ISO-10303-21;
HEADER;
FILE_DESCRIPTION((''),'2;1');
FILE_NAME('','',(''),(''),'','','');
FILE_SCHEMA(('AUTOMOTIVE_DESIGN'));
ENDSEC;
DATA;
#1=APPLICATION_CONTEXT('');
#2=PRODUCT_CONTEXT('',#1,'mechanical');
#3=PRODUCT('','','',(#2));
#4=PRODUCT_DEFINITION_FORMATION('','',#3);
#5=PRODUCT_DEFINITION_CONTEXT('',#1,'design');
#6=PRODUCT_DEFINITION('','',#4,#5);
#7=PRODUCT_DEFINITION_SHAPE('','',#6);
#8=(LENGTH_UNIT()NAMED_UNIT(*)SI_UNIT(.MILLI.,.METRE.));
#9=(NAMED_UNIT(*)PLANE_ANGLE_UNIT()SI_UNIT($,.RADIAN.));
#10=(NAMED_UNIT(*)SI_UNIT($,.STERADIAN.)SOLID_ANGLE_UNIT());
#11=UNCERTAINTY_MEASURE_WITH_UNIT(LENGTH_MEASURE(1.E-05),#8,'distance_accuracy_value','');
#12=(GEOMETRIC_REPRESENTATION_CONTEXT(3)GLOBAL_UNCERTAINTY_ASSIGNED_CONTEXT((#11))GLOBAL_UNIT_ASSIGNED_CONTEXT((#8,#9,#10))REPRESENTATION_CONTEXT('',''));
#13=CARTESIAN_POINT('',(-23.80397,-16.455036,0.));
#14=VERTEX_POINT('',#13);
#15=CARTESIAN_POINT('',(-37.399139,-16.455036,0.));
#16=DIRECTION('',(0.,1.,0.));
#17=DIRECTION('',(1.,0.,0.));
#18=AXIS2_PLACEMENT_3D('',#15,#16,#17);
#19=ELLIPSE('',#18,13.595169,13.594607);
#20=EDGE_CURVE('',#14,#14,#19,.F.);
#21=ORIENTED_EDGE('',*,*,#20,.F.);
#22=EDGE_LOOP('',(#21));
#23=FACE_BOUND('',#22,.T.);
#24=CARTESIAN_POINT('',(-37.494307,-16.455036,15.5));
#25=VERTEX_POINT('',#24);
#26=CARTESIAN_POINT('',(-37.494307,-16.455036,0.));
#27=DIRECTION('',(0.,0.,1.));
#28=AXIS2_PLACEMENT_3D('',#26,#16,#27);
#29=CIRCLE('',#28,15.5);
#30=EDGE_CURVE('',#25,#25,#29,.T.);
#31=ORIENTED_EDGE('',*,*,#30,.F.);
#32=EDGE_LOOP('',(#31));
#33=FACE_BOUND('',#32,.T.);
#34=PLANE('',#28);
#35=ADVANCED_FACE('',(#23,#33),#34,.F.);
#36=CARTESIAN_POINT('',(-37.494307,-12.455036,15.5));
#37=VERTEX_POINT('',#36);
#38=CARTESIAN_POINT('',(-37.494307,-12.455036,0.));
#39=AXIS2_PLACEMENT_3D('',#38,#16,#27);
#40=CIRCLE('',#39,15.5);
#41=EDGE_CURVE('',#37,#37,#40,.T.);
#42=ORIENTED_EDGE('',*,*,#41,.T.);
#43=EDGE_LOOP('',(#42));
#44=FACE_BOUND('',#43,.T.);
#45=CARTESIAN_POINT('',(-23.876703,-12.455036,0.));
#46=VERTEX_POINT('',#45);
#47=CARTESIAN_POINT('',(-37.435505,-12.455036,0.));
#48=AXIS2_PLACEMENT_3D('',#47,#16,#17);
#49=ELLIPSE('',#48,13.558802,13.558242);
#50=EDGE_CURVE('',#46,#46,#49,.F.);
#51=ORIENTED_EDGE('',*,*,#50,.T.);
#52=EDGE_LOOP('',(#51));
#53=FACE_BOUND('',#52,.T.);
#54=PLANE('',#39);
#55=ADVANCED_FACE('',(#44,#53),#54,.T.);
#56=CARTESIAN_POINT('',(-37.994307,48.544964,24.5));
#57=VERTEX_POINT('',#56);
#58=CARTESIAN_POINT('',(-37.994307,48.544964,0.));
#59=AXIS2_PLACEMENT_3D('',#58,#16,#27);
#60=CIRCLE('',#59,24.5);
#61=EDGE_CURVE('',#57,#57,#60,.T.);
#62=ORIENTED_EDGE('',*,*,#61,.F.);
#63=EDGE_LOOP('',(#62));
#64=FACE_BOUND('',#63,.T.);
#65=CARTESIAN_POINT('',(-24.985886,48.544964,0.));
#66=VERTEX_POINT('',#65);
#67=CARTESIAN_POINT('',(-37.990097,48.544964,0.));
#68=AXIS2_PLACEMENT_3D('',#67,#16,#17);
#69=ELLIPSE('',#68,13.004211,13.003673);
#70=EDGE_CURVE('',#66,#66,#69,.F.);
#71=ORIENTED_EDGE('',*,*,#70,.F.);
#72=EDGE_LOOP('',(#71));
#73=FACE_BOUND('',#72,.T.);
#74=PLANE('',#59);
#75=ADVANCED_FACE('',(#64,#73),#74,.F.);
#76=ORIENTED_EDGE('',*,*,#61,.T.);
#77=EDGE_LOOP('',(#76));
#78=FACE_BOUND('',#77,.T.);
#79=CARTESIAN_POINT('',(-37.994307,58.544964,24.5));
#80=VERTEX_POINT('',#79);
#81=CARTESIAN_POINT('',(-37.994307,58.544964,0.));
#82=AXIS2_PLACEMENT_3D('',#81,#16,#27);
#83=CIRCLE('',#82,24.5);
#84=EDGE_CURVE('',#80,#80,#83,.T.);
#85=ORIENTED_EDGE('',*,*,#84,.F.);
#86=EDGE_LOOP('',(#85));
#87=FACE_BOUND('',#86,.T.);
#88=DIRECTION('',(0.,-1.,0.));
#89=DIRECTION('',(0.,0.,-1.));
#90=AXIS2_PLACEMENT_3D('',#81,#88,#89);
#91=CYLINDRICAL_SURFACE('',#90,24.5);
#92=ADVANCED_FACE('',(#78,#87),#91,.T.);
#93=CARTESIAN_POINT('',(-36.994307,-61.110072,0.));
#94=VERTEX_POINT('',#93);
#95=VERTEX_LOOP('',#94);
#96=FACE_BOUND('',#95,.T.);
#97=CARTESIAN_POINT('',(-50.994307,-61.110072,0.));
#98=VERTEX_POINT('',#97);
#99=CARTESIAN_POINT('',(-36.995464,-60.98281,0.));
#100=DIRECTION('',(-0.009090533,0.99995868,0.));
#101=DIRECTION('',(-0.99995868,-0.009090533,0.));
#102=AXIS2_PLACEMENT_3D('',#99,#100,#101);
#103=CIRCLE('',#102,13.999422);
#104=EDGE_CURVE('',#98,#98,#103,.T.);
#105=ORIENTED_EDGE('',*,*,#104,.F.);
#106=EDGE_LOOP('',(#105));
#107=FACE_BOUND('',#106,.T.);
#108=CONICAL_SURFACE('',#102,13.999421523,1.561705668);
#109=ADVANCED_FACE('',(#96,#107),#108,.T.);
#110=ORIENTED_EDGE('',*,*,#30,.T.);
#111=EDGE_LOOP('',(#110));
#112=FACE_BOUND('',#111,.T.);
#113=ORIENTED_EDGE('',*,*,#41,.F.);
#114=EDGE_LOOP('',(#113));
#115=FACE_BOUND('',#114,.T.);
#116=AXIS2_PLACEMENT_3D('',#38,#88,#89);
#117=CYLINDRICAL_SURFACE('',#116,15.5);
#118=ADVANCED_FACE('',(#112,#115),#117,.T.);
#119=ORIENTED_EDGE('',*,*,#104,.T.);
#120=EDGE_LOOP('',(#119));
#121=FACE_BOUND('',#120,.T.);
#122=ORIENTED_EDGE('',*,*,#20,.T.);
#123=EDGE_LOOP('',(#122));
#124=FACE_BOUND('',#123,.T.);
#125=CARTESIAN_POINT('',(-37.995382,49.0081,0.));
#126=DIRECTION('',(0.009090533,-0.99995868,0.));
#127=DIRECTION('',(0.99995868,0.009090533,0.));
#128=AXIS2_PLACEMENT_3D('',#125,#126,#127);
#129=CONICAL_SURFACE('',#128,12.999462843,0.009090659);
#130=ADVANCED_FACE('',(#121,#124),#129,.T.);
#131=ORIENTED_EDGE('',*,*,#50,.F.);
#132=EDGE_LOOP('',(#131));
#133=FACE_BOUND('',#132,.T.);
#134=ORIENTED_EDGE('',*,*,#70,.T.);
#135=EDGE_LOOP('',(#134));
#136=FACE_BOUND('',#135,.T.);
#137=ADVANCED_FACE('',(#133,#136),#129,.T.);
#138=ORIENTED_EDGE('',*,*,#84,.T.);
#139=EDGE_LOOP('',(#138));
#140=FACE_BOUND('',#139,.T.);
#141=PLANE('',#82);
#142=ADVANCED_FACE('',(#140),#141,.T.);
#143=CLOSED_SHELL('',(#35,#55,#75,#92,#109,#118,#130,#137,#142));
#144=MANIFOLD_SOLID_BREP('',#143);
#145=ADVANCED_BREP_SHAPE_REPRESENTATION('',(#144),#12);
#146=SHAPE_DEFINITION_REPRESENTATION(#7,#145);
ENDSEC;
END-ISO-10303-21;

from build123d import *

# Parameters (mm, degrees)
SKETCH3_R           = 24.5
BOSS_EXTRUDE1_DEPTH = 10
SKETCH4_R           = 15.5
BOSS_EXTRUDE3_DEPTH = 4


with BuildPart() as part:
    # Sketch1 → Revolve1 (revolve)
    with BuildSketch(Plane.XY):
        Polygon((-50.994307358, 48.889927559), (-50.994307358, -61.110072441), (-36.994307358, -61.110072441), (-37.994307358, 48.889927559), align=None)
    revolve(axis=Axis((-37.994307358, 48.889927559, 0), (0.009090533456791595, -0.9999586802470746, 0)))

    # Sketch3 → Boss-Extrude1 (add)
    with BuildSketch(Plane(origin=(0, 48.544964037, 0), x_dir=(1, 0, 0), z_dir=(0, 1, 0))):
        with Locations(Location((-37.994307358, 0, 0), (0, 0, 270))):
            Circle(SKETCH3_R)
    extrude(amount=BOSS_EXTRUDE1_DEPTH)

    # Sketch4 → Boss-Extrude3 (add)
    with BuildSketch(Plane(origin=(0, -16.455035963, 0), x_dir=(1, 0, 0), z_dir=(0, 1, 0))):
        with Locations(Location((-37.494307358, 0, 0), (0, 0, 270))):
            Circle(SKETCH4_R)
    extrude(amount=BOSS_EXTRUDE3_DEPTH)


solid = part.part
